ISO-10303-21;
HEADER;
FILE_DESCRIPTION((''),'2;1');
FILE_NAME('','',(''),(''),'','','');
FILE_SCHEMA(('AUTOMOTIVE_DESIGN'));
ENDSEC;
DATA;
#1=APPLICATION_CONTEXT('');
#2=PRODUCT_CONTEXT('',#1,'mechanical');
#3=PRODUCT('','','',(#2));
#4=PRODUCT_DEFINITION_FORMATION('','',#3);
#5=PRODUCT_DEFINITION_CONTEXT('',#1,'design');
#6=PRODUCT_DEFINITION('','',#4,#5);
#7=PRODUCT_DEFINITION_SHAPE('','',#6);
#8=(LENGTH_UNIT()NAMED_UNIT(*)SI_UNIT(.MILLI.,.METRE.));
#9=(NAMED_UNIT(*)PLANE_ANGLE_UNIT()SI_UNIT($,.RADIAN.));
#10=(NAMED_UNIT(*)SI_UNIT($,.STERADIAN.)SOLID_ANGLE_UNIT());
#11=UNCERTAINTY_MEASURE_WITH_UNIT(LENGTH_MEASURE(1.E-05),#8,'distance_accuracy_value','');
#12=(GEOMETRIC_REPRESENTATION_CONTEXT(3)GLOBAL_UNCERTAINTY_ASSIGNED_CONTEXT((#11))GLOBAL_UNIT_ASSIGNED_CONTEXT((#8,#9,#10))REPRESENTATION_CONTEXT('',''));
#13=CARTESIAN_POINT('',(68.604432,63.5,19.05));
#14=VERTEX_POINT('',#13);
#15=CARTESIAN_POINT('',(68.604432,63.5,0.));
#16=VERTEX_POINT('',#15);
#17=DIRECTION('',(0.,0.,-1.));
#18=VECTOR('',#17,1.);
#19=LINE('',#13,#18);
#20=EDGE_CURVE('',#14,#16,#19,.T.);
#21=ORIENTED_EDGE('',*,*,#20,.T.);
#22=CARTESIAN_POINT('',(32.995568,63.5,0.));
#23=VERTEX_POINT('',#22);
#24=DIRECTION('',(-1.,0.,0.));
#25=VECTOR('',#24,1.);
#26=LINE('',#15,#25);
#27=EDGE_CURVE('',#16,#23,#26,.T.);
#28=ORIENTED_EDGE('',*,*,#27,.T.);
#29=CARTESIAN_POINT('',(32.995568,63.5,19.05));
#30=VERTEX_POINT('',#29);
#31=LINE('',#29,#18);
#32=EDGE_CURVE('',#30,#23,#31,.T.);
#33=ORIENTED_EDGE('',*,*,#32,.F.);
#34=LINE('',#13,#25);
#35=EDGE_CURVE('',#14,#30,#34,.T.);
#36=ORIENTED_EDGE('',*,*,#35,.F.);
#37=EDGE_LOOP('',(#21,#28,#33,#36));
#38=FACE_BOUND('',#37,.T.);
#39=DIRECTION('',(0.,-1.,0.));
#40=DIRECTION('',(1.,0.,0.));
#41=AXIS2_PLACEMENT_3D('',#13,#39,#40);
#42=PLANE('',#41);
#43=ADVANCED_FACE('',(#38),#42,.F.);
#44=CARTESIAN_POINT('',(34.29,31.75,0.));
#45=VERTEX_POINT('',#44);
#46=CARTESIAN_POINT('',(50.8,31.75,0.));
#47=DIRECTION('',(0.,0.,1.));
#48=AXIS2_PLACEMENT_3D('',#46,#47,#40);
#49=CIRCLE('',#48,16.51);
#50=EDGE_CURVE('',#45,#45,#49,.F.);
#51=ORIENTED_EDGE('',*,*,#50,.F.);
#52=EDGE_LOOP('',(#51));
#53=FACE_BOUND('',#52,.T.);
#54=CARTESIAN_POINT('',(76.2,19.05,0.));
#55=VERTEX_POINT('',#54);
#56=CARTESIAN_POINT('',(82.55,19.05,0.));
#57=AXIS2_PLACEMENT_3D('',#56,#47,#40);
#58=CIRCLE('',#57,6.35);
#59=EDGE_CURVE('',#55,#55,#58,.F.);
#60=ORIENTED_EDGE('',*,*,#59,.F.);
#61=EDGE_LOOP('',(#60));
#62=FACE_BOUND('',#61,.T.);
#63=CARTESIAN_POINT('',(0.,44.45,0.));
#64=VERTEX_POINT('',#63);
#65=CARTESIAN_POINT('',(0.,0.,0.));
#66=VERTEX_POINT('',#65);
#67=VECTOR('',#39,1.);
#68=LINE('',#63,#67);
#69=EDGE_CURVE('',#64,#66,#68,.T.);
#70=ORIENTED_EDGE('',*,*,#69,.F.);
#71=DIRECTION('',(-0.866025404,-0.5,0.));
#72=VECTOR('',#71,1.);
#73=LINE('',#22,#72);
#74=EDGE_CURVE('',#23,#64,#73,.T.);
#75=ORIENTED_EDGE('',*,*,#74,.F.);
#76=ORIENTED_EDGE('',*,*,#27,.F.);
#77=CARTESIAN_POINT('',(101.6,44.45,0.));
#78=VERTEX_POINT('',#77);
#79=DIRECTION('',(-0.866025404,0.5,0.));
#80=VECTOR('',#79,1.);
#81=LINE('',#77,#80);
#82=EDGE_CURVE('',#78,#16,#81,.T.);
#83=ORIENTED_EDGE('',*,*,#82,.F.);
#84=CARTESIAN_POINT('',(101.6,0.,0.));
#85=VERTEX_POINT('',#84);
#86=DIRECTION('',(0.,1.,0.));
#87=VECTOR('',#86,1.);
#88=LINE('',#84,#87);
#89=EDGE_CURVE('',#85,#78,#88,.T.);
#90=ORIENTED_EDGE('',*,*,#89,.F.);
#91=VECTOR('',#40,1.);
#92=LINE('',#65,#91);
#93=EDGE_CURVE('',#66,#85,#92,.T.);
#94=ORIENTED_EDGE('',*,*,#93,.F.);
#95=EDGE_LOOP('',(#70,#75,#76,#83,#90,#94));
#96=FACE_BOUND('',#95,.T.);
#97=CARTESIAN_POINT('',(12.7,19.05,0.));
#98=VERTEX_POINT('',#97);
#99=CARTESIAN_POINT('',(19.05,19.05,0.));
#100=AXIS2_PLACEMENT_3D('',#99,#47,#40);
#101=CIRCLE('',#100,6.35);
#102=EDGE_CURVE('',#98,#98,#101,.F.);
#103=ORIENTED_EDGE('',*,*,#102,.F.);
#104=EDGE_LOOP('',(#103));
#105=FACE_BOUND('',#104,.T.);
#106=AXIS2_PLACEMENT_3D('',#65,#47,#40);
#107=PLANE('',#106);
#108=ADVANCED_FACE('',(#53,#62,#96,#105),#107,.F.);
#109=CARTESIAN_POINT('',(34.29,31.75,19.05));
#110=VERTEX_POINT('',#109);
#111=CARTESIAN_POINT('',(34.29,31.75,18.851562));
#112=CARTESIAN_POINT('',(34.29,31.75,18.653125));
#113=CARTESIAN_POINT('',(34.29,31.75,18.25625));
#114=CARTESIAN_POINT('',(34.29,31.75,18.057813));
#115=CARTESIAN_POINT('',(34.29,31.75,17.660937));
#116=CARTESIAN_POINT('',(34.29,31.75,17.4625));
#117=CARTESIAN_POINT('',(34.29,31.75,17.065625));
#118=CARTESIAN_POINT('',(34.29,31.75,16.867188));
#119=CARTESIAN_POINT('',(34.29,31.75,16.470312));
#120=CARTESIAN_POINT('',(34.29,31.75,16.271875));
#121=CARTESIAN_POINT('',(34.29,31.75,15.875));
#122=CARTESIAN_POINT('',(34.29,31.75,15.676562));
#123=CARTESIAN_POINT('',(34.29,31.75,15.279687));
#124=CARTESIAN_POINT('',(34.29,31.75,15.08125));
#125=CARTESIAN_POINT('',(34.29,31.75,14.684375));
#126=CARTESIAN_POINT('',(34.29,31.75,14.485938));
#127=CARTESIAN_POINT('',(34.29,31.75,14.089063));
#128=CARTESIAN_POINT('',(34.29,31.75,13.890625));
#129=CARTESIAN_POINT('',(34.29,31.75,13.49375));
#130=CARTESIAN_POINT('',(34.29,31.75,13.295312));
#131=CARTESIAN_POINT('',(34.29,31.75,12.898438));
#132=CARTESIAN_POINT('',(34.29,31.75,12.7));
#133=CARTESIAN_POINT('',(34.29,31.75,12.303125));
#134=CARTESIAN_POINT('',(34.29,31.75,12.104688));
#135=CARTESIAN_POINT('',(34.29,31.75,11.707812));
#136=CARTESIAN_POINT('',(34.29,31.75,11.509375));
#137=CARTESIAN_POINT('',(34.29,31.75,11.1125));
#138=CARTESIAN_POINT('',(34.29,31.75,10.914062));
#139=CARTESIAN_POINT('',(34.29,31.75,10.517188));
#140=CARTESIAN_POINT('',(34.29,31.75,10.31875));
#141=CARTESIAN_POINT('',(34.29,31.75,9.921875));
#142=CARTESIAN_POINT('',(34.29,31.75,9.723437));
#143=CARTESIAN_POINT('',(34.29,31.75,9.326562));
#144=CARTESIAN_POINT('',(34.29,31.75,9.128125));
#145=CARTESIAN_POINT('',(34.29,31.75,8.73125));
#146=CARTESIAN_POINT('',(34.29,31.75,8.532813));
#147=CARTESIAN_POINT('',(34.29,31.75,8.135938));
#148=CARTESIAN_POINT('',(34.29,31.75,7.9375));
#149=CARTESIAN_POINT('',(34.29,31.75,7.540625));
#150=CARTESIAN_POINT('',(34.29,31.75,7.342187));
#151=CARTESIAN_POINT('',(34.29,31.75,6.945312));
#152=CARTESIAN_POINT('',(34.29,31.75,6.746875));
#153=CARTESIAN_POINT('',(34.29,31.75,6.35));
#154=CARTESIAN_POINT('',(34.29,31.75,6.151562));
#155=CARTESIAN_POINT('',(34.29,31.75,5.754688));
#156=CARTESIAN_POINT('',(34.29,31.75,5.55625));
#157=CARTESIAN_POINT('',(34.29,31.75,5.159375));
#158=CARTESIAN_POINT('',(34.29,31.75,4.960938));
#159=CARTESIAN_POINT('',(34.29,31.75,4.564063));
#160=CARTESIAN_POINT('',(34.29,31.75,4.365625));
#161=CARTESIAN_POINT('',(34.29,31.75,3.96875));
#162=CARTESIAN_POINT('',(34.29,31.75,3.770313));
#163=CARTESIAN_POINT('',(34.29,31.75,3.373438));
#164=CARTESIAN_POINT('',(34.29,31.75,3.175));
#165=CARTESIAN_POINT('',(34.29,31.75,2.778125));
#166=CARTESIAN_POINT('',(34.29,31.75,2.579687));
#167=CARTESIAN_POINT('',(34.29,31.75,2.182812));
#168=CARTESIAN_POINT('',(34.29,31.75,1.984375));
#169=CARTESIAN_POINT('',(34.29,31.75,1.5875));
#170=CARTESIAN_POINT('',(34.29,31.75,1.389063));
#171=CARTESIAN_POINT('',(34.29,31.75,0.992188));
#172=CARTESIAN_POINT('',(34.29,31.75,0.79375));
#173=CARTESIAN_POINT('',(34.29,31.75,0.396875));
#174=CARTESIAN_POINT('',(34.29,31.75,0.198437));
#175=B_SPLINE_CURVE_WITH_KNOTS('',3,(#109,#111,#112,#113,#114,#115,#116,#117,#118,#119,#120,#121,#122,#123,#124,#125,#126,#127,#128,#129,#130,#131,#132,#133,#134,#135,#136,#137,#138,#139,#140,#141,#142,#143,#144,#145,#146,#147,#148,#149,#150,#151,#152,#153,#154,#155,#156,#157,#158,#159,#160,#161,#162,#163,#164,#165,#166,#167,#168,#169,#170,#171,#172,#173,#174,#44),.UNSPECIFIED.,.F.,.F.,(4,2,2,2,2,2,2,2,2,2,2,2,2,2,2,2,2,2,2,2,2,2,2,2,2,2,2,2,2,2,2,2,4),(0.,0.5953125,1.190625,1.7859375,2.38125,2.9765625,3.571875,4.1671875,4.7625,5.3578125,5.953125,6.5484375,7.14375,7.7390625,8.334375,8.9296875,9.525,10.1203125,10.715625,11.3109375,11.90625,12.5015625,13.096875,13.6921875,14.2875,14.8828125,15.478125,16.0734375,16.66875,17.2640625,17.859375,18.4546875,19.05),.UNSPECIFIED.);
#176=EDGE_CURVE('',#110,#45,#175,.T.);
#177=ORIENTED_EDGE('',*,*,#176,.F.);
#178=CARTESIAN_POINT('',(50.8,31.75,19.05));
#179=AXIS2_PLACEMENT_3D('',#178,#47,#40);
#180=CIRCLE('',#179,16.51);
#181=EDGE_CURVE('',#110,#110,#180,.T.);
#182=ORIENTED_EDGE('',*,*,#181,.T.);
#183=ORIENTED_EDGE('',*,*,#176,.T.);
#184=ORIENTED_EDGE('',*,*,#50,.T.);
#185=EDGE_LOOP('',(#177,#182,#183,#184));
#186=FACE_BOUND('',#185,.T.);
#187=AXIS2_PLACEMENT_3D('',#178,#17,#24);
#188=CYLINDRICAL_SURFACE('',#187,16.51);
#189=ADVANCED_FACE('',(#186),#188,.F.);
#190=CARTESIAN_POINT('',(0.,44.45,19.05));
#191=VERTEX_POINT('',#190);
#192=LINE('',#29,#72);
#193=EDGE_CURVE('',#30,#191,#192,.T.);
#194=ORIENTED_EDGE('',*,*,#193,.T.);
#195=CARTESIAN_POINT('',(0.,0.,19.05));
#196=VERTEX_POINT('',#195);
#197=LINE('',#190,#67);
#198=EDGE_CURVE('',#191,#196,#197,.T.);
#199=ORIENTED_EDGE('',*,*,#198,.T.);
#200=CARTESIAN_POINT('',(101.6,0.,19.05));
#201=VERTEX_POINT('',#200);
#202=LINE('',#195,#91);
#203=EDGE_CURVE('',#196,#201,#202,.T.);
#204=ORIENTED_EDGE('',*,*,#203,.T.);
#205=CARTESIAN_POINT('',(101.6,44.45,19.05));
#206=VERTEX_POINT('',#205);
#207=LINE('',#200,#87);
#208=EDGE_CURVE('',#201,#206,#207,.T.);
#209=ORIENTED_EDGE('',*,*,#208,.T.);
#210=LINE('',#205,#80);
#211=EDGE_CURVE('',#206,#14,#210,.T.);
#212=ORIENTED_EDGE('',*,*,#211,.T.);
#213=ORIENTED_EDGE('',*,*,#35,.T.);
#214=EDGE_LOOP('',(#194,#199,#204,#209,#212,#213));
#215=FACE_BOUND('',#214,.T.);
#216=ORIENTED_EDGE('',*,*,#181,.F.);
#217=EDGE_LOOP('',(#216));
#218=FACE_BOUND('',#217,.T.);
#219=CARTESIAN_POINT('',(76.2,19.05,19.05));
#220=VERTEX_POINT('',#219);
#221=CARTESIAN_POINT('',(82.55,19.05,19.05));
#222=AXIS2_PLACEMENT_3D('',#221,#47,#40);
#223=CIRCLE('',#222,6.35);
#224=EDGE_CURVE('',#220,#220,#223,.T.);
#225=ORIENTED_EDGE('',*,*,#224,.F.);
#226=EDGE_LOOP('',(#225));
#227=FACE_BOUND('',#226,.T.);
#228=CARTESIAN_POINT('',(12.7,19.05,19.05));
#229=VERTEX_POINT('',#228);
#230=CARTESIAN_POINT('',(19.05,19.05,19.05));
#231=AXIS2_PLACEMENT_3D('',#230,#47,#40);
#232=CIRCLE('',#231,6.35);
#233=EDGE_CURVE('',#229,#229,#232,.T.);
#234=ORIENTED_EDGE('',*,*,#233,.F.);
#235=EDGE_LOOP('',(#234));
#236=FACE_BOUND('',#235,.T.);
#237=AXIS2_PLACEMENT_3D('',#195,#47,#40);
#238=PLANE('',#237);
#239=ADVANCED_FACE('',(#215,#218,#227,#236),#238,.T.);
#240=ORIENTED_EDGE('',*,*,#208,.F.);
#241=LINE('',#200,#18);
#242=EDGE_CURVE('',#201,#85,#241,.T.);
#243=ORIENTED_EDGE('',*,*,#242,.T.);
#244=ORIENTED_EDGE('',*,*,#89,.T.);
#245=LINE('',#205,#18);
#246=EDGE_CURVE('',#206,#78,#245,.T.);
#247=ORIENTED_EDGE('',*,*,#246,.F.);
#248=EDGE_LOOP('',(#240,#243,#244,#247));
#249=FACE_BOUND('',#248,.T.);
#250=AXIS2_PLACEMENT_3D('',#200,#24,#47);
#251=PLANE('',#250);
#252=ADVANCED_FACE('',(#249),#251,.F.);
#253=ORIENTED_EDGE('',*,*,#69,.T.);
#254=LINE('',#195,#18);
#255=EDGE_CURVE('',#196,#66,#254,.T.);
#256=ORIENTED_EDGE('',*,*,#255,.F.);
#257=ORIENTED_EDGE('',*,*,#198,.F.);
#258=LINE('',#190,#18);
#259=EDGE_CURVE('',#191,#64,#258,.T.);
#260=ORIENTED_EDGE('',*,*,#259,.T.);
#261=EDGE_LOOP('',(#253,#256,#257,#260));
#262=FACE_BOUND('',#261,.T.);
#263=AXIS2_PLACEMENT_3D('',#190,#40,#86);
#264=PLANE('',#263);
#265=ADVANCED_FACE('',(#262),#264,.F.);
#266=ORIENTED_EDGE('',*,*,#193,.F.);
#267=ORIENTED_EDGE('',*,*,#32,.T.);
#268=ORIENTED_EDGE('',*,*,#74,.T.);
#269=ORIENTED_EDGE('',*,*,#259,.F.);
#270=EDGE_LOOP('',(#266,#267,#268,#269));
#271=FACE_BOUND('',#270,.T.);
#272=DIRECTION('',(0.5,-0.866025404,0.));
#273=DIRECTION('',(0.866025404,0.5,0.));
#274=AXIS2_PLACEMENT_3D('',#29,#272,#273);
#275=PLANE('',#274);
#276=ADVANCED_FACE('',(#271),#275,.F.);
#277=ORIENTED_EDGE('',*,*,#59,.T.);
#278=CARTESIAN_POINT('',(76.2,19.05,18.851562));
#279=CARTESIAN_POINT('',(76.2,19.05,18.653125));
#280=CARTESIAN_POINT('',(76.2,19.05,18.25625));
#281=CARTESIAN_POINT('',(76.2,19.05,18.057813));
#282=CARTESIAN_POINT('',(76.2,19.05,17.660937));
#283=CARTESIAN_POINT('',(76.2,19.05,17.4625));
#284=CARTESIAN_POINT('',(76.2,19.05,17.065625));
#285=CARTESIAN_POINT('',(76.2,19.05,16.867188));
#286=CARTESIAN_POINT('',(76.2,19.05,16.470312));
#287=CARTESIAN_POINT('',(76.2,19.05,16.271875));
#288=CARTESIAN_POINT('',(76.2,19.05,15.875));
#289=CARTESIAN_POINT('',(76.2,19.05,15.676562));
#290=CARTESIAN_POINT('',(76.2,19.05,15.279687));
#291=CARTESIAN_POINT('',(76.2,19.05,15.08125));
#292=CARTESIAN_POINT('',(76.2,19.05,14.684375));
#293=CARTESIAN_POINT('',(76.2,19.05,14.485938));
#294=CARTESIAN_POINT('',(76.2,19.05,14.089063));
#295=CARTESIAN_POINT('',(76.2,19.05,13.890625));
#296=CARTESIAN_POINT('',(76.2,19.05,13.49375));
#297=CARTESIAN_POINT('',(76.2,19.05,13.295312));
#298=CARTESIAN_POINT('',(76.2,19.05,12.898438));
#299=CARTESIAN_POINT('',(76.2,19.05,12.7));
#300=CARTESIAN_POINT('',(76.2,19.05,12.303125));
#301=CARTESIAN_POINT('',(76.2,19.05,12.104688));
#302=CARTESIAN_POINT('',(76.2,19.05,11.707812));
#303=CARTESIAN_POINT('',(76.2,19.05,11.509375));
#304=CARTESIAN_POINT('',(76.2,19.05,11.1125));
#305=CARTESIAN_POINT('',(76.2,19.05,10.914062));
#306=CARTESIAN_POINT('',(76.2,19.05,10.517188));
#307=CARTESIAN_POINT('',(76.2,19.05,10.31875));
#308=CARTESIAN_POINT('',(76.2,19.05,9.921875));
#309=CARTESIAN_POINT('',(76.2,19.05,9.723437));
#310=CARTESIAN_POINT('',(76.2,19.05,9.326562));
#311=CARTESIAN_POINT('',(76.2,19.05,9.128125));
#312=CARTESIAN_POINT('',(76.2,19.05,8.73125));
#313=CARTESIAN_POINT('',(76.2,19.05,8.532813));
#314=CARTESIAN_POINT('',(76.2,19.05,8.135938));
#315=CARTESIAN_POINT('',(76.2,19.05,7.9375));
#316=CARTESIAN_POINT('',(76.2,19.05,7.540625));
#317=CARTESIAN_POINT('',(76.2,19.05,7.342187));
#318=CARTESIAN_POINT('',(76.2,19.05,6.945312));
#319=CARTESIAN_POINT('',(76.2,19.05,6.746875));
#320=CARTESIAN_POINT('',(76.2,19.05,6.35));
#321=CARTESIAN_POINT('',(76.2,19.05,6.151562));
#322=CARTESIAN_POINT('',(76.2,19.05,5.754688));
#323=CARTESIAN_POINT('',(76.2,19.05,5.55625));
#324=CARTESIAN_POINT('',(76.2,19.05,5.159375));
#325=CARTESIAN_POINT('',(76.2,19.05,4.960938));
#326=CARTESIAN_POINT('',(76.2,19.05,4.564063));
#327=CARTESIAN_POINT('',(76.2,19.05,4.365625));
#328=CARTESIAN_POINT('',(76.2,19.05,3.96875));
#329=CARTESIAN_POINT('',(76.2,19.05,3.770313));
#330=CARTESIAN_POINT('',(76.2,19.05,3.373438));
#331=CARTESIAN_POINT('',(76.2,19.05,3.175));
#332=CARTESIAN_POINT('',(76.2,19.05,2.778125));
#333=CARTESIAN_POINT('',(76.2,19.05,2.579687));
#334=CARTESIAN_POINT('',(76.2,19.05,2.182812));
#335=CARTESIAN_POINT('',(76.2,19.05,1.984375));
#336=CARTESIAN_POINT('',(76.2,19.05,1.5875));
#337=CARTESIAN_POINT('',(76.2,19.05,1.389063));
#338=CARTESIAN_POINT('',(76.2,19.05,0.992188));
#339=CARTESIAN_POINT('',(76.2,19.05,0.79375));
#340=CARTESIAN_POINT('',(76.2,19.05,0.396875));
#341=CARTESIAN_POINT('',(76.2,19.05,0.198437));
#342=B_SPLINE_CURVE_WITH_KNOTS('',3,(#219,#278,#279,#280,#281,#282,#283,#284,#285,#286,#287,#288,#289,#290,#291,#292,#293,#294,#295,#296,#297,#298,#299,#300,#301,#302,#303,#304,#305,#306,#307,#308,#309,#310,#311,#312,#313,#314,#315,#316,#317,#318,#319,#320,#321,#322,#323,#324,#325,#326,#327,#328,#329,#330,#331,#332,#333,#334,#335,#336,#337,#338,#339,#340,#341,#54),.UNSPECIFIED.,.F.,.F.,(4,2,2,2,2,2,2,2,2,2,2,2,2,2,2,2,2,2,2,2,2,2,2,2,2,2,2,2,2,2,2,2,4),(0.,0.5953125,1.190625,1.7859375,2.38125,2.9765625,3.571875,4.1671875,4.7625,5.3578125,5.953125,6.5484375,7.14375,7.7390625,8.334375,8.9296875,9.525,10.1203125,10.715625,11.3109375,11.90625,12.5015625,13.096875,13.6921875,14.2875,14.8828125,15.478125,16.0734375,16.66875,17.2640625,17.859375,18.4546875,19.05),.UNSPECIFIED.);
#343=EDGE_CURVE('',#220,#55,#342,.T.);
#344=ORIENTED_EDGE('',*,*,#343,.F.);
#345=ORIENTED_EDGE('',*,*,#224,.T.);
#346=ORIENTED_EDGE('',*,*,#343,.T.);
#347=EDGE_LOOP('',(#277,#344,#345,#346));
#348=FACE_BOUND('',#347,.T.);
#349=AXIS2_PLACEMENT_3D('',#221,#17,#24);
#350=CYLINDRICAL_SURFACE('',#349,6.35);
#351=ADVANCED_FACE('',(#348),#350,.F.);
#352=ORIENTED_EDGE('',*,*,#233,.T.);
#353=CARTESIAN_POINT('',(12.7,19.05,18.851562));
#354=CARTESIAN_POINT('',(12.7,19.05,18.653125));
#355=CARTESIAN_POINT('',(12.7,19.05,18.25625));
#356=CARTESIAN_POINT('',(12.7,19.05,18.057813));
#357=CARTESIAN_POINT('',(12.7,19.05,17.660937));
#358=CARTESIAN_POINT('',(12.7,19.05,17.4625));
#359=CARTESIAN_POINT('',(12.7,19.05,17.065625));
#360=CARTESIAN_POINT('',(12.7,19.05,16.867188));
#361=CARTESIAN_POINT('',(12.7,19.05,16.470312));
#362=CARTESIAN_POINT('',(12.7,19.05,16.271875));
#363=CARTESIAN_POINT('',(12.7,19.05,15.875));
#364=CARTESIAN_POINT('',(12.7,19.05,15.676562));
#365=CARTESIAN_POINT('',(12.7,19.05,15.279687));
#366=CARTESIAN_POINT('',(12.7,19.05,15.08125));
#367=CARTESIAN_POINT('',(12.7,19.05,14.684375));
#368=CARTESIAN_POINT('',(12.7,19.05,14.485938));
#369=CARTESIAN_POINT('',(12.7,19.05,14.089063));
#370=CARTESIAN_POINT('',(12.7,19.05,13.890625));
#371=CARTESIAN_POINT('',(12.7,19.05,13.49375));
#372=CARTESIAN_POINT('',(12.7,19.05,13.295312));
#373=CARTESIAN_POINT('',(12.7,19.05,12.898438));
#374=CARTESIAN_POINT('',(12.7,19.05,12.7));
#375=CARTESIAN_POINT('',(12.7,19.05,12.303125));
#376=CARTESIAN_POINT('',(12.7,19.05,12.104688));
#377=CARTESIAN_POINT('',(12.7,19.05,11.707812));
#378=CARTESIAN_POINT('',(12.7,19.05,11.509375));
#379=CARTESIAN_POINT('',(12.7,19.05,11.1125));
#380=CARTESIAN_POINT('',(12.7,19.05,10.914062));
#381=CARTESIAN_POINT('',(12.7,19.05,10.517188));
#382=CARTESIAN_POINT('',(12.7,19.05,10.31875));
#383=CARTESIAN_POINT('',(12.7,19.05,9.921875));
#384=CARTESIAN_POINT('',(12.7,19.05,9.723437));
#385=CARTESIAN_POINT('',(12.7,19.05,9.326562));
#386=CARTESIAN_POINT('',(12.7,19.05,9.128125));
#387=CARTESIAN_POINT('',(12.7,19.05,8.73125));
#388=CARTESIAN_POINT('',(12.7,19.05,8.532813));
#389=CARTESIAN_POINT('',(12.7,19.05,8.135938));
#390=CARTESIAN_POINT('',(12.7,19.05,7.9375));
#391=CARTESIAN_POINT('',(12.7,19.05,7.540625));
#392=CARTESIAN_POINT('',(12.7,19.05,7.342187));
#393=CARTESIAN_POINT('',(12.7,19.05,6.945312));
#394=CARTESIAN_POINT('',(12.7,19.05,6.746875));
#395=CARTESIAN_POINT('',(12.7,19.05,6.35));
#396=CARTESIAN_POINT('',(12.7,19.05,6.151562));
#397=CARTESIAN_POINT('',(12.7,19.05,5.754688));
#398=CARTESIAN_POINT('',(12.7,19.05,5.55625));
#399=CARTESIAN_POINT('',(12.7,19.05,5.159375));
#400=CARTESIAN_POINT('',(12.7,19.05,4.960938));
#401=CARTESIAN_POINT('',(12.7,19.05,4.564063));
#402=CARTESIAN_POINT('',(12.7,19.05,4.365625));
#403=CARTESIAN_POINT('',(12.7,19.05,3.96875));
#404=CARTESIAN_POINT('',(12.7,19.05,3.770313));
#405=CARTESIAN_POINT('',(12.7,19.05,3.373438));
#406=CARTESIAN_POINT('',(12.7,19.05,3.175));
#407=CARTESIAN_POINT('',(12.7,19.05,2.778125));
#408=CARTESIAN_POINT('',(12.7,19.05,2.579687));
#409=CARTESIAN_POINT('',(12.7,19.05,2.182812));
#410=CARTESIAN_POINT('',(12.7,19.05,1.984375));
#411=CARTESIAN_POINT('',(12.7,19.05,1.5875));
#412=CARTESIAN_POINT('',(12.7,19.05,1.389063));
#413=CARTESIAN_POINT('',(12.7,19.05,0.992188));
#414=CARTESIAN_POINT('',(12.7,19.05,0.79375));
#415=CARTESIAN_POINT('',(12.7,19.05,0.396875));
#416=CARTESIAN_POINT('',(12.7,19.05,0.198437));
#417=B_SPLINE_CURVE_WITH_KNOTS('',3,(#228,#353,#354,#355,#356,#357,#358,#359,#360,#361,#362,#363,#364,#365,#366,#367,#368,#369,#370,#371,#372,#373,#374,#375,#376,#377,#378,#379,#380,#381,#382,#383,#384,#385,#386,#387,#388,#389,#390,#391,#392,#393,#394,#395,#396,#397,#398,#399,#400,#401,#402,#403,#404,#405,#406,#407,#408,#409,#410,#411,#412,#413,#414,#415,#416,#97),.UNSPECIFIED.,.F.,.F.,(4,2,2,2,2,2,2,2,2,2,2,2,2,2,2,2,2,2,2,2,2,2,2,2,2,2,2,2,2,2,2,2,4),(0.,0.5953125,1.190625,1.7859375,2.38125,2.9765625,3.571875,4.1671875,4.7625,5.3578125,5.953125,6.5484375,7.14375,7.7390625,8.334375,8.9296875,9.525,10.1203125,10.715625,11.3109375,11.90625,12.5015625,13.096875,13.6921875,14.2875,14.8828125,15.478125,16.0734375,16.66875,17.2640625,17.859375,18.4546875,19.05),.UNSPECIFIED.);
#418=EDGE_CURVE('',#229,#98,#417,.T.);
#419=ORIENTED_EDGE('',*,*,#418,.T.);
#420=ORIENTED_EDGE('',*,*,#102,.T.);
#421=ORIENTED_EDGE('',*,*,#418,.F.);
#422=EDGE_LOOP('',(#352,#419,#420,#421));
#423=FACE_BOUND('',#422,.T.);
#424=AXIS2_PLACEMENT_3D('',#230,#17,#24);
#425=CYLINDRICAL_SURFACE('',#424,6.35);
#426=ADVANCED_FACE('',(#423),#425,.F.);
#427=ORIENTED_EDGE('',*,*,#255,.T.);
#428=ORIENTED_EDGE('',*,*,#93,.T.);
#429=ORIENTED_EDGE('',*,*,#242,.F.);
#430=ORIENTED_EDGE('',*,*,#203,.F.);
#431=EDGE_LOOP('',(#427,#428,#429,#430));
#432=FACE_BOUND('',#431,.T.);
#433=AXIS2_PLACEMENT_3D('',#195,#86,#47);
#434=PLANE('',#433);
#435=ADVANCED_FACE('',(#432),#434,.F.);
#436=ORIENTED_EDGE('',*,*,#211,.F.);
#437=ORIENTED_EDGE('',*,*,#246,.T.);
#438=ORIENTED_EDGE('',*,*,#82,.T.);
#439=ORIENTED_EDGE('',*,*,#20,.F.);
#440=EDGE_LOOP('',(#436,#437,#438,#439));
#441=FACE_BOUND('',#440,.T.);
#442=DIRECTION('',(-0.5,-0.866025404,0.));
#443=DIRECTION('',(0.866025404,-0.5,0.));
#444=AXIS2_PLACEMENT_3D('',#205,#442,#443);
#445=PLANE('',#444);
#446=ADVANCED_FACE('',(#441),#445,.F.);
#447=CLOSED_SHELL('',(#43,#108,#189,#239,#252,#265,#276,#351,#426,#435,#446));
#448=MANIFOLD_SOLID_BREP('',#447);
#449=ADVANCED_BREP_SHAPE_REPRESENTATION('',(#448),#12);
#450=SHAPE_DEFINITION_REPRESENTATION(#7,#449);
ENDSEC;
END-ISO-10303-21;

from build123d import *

# Parameters (mm, degrees)
BOSS_EXTRUDE1_DEPTH     = 19.05
CUT_EXTRUDE3_DEPTH      = 122.316579658
CUT_EXTRUDE3_DEPTH_BACK = 122.316579658
SKETCH2_R               = 6.35
SKETCH2_R_2             = 16.51


with BuildPart() as part:
    # Sketch1 → Boss-Extrude1 (new body)
    with BuildSketch(Plane.XY):
        Polygon((0, 0), (101.6, 0), (101.6, 44.45), (68.604432116, 63.5), (32.995567884, 63.5), (0, 44.45), align=None)
    extrude(amount=BOSS_EXTRUDE1_DEPTH)

    # Sketch2 → Cut-Extrude3 (cut, two sides: drawn at the far end of the back side and taken through both)
    with BuildSketch(Plane.XY.offset(-CUT_EXTRUDE3_DEPTH_BACK)):
        with Locations(Location((19.05, 19.05, 0), (0, 0, 180))):
            Circle(SKETCH2_R)
        with Locations(Location((82.55, 19.05, 0), (0, 0, 180))):
            Circle(SKETCH2_R)
        with Locations(Location((50.8, 31.75, 0), (0, 0, 180))):
            Circle(SKETCH2_R_2)
    extrude(amount=CUT_EXTRUDE3_DEPTH + CUT_EXTRUDE3_DEPTH_BACK, mode=Mode.SUBTRACT)


solid = part.part
